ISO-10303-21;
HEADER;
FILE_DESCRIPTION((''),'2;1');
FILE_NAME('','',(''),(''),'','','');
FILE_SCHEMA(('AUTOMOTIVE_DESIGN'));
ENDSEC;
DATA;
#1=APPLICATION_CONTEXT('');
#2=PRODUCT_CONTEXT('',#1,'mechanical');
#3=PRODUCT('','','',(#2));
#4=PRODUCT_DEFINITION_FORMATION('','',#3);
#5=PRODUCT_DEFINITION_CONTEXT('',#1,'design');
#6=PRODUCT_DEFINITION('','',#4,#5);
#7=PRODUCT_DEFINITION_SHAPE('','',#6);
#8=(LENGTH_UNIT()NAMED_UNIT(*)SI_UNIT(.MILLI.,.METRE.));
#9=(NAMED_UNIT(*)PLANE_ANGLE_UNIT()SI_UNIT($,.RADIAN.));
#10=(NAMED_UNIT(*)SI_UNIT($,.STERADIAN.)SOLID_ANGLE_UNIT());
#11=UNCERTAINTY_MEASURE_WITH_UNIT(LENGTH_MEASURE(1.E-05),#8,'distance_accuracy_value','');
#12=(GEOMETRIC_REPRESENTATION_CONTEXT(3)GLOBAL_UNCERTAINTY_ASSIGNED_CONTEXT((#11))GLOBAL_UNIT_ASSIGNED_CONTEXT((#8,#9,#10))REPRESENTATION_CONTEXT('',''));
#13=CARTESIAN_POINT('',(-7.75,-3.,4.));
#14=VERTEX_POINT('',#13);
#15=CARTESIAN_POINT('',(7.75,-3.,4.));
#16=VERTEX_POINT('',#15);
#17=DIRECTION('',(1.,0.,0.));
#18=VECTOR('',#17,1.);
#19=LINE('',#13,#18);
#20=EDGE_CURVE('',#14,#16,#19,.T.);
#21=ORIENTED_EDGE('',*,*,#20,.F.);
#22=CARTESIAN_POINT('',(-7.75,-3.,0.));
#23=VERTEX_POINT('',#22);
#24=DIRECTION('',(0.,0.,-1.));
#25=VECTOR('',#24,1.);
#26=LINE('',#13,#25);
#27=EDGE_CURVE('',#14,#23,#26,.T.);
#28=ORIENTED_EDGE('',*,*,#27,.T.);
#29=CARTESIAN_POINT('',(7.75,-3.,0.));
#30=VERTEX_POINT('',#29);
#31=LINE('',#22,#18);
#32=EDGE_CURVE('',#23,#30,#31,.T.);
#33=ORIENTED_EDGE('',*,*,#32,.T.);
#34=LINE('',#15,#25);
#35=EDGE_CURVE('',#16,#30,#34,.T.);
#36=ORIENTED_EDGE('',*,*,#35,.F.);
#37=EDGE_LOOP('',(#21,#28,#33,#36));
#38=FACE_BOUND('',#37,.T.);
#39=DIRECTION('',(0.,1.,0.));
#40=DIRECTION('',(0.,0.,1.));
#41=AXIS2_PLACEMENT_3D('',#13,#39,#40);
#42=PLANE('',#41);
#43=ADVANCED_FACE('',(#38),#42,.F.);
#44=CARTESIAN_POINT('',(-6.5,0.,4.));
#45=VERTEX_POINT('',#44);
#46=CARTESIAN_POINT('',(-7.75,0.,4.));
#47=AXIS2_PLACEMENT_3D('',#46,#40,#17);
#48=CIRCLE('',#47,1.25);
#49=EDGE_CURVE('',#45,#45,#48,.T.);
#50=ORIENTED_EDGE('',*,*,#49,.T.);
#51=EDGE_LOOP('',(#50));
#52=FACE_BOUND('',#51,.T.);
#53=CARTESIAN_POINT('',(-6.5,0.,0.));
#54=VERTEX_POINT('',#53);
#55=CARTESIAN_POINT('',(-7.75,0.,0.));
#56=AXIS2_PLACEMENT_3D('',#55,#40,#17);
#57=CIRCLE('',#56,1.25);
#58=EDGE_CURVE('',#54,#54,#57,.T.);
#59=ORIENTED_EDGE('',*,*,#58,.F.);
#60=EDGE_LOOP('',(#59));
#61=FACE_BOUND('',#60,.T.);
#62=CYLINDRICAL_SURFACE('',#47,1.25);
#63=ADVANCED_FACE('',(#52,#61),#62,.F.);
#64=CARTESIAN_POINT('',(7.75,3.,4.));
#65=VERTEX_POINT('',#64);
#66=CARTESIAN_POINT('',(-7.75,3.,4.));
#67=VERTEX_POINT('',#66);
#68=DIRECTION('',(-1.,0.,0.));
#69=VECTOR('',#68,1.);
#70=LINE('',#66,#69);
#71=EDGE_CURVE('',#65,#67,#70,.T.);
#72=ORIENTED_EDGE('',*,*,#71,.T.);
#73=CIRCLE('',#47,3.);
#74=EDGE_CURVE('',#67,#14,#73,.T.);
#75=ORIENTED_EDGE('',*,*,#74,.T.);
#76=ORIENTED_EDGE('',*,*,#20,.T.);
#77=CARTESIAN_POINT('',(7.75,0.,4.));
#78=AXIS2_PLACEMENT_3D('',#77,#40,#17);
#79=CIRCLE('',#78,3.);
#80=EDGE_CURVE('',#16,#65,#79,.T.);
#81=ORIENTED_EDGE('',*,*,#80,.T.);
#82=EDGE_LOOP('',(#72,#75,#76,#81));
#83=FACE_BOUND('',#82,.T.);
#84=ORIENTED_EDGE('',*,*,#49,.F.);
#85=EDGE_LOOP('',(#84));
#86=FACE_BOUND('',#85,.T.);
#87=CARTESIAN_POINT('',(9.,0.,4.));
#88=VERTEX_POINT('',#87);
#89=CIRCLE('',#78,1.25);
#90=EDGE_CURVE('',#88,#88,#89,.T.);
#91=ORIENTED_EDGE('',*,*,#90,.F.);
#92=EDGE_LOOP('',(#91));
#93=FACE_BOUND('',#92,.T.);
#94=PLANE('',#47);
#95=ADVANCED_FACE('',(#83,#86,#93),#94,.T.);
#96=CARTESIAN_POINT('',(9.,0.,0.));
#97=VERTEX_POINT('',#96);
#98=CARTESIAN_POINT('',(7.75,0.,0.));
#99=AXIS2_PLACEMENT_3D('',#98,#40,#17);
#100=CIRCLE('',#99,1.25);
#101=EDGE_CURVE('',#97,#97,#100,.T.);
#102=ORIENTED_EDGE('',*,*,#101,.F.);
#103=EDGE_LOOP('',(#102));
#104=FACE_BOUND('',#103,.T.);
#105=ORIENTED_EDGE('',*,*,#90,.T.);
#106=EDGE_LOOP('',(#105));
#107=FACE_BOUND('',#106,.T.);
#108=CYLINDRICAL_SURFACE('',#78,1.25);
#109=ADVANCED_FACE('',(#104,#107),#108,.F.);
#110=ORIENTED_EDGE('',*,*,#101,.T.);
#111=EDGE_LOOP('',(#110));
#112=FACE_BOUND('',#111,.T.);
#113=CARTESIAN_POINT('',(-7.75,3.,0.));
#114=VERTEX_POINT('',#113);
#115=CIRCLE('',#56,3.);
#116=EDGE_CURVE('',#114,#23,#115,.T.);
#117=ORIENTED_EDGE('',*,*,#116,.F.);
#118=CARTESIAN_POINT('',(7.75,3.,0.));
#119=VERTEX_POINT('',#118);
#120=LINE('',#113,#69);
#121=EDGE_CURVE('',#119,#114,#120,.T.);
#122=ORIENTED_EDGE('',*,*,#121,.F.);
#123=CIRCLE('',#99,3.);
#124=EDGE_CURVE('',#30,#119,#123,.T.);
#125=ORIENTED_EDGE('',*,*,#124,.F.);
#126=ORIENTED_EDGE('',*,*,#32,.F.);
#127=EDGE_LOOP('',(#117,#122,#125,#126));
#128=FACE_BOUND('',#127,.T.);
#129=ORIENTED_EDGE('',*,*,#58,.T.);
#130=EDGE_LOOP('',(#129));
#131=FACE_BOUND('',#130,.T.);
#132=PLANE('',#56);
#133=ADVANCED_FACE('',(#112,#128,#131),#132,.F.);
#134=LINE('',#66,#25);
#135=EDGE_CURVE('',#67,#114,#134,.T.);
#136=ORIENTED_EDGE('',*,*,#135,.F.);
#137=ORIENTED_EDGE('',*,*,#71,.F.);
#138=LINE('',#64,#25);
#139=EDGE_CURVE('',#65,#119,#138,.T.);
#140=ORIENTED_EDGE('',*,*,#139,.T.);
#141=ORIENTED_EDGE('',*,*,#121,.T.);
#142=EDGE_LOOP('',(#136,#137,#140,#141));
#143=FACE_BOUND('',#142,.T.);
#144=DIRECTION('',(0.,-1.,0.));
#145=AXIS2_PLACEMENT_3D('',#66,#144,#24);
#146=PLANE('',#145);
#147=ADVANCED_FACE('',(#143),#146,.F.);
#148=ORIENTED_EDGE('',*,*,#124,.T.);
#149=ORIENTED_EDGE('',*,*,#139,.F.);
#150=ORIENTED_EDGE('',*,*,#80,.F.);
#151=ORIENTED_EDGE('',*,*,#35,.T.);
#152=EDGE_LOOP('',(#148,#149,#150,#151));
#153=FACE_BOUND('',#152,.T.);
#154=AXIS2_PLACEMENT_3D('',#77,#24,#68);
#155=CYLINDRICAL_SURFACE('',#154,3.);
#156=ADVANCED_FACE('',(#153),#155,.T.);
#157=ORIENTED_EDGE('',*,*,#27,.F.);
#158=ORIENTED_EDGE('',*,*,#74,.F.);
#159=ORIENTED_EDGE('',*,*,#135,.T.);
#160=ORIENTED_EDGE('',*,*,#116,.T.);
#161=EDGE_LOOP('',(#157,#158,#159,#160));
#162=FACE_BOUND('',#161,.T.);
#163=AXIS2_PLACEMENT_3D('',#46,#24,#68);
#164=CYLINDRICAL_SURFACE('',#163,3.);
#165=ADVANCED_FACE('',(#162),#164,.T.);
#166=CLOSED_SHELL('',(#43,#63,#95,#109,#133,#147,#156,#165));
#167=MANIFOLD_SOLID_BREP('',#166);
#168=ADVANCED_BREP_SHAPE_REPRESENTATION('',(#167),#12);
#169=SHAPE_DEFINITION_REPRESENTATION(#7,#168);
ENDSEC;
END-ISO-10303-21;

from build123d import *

# Parameters (mm, degrees)
RESSALTO_EXTRUS_O1_DEPTH  = 4
FURO_ROSCADO_DE_M3X0_51_D = 2.5


with BuildPart() as part:
    # Esboço1 → Ressalto-extrusão1 (new body)
    with BuildSketch(Plane.XY):
        with BuildLine():
            Line((-7.75, 3), (7.75, 3))
            ThreePointArc((7.75, 3), (10.75, 0), (7.75, -3))
            Line((7.75, -3), (-7.75, -3))
            ThreePointArc((-7.75, -3), (-10.75, 0), (-7.75, 3))
        make_face()
    extrude(amount=RESSALTO_EXTRUS_O1_DEPTH)

    # Furo roscado de M3x0.51 (through all)
    with Locations(Plane.XY.offset(4)):
        with Locations((7.75, 0), (-7.75, 0)):
            Hole(FURO_ROSCADO_DE_M3X0_51_D / 2)


solid = part.part
